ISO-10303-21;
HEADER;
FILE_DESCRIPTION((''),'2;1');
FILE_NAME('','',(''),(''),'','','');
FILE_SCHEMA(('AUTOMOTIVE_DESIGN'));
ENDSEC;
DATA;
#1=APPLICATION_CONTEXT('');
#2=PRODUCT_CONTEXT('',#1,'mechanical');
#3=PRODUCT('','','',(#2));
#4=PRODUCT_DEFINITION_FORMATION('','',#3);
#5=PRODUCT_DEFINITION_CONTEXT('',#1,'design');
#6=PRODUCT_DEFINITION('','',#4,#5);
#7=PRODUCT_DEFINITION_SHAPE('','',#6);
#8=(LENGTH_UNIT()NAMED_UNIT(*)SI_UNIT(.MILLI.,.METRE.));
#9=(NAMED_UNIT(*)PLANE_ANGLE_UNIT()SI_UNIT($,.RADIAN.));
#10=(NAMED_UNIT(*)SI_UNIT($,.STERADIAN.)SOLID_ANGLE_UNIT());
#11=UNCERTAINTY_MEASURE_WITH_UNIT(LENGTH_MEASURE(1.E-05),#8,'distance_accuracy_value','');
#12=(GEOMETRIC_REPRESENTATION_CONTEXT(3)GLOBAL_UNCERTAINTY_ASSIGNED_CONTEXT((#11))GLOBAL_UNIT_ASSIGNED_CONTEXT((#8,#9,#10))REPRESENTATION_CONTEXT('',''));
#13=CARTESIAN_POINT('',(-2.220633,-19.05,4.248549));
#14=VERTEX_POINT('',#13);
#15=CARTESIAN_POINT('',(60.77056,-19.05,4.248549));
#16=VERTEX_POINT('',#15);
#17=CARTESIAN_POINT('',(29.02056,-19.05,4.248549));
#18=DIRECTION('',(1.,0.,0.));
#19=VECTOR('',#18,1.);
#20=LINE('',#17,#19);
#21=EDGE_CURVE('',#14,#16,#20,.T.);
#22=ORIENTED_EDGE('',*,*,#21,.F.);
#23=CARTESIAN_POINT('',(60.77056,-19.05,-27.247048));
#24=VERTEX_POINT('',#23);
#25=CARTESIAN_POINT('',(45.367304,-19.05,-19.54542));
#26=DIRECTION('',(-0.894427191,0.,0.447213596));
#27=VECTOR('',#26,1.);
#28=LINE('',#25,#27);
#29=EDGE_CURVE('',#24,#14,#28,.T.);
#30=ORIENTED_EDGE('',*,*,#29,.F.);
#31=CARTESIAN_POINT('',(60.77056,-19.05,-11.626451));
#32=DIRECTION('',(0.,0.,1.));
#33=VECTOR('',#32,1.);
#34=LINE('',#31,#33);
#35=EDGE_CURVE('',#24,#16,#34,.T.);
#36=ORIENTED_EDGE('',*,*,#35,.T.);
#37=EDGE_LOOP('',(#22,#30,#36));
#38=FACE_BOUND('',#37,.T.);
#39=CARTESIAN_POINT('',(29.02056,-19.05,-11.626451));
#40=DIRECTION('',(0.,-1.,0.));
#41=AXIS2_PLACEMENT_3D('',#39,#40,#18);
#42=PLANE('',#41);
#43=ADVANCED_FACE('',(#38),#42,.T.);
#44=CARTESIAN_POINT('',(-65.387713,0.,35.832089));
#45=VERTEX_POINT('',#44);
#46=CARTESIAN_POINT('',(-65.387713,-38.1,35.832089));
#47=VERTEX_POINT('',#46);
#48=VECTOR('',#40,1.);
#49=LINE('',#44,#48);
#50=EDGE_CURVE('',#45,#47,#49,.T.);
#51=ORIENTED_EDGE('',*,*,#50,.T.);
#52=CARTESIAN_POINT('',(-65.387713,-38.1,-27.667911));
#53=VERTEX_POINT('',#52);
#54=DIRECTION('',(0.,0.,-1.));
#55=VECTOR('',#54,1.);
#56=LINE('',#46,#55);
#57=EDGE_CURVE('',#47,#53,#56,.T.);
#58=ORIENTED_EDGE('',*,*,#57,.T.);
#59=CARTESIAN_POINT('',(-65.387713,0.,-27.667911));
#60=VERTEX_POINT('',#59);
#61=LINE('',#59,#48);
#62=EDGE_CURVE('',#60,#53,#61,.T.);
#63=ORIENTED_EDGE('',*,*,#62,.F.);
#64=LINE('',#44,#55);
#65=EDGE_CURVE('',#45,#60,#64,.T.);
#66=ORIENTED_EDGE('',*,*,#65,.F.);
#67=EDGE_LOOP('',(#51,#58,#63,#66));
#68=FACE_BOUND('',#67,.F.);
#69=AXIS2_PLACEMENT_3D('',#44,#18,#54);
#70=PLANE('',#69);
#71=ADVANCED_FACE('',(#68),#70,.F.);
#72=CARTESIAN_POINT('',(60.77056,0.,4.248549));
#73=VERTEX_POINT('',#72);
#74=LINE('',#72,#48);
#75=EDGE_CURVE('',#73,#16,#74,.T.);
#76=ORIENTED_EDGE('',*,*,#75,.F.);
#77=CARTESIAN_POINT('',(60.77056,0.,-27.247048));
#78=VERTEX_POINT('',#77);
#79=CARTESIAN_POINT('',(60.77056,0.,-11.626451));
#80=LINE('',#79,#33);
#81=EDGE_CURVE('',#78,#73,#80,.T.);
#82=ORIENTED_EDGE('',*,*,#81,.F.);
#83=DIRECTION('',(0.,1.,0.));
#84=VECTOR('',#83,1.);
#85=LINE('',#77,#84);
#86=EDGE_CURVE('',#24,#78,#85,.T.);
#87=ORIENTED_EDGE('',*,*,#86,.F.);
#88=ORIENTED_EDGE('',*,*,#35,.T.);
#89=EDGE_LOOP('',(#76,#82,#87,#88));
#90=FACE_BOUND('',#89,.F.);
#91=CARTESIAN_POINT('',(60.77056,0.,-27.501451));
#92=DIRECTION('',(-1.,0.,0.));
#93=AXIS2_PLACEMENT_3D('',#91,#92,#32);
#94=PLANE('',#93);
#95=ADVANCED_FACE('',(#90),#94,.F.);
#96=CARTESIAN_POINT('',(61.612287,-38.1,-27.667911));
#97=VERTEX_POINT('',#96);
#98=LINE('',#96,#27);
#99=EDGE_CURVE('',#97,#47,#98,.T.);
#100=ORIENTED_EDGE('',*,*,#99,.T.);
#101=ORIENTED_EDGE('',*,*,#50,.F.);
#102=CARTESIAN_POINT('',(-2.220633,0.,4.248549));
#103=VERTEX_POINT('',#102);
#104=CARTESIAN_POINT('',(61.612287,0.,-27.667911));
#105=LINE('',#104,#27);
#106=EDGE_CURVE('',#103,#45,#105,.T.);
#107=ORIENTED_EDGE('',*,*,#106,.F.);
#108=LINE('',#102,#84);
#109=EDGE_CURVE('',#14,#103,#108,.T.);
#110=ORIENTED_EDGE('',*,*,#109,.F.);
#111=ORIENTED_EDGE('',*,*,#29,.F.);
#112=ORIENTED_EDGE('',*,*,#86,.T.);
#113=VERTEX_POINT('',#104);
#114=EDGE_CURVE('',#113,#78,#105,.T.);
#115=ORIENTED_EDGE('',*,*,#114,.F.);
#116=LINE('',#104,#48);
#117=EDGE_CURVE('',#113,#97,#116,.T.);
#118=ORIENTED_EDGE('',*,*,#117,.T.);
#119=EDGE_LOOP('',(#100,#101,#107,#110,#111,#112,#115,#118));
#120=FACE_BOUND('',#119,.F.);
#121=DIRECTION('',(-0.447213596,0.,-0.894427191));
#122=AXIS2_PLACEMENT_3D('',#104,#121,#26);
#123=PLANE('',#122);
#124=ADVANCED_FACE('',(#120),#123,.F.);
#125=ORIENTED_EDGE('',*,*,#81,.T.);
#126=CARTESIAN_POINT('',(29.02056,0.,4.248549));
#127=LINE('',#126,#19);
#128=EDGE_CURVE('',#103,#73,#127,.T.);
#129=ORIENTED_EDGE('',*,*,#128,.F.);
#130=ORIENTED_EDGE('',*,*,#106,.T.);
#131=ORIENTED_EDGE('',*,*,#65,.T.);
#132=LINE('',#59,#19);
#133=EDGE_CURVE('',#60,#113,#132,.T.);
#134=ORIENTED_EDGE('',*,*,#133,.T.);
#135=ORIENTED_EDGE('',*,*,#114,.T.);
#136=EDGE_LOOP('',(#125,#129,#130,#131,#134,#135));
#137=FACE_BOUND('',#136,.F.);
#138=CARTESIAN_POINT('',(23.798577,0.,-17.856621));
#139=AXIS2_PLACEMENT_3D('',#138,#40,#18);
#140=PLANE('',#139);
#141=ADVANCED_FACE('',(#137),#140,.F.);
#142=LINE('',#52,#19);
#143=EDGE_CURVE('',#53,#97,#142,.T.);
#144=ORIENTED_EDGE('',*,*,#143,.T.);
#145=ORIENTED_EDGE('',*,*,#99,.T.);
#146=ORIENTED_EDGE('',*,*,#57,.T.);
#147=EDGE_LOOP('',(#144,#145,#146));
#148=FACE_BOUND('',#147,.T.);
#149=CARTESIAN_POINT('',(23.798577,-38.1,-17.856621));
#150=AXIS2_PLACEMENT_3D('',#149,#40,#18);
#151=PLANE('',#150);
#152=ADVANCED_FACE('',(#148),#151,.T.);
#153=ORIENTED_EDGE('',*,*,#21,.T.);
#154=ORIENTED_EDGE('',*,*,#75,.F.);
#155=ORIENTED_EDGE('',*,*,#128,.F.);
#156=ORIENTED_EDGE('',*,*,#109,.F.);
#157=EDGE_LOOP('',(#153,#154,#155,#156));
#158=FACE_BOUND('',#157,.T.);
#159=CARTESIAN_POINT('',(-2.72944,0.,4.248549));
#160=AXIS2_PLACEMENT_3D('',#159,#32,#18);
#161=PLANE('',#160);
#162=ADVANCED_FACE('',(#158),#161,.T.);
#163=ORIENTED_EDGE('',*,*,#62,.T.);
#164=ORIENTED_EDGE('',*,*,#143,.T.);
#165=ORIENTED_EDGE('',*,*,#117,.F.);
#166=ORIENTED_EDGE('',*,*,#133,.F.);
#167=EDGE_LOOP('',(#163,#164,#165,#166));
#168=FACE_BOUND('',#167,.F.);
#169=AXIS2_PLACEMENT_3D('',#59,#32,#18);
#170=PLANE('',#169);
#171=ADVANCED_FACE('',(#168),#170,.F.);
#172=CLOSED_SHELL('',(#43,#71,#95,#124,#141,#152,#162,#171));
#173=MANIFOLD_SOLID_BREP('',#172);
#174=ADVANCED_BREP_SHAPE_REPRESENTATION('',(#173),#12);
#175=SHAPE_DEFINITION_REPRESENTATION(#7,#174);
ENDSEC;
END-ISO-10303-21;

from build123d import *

# Parameters (mm, degrees)
F1_DEPTH = 38.1
F2_W     = 63.5
F2_H     = 31.75
F3_DEPTH = 19.05


with BuildPart() as f1:
    # F0 (on Front) → F1 (new body)
    with BuildSketch(Plane.XZ):
        Polygon((61.612287, -27.667911), (-1.887713, 4.082089), (-1.887713, -27.667911), align=None)
        Polygon((-1.887713, 4.082089), (-65.387713, 35.832089), (-65.387713, -27.667911), (-1.887713, -27.667911), align=None)
    extrude(amount=F1_DEPTH)

    # F2 (on Front) → F3 (join)
    with BuildSketch(Plane.XZ):
        with Locations((29.02056, -11.626451)):
            Rectangle(F2_W, F2_H)
    extrude(amount=F3_DEPTH)


solid = f1.part
